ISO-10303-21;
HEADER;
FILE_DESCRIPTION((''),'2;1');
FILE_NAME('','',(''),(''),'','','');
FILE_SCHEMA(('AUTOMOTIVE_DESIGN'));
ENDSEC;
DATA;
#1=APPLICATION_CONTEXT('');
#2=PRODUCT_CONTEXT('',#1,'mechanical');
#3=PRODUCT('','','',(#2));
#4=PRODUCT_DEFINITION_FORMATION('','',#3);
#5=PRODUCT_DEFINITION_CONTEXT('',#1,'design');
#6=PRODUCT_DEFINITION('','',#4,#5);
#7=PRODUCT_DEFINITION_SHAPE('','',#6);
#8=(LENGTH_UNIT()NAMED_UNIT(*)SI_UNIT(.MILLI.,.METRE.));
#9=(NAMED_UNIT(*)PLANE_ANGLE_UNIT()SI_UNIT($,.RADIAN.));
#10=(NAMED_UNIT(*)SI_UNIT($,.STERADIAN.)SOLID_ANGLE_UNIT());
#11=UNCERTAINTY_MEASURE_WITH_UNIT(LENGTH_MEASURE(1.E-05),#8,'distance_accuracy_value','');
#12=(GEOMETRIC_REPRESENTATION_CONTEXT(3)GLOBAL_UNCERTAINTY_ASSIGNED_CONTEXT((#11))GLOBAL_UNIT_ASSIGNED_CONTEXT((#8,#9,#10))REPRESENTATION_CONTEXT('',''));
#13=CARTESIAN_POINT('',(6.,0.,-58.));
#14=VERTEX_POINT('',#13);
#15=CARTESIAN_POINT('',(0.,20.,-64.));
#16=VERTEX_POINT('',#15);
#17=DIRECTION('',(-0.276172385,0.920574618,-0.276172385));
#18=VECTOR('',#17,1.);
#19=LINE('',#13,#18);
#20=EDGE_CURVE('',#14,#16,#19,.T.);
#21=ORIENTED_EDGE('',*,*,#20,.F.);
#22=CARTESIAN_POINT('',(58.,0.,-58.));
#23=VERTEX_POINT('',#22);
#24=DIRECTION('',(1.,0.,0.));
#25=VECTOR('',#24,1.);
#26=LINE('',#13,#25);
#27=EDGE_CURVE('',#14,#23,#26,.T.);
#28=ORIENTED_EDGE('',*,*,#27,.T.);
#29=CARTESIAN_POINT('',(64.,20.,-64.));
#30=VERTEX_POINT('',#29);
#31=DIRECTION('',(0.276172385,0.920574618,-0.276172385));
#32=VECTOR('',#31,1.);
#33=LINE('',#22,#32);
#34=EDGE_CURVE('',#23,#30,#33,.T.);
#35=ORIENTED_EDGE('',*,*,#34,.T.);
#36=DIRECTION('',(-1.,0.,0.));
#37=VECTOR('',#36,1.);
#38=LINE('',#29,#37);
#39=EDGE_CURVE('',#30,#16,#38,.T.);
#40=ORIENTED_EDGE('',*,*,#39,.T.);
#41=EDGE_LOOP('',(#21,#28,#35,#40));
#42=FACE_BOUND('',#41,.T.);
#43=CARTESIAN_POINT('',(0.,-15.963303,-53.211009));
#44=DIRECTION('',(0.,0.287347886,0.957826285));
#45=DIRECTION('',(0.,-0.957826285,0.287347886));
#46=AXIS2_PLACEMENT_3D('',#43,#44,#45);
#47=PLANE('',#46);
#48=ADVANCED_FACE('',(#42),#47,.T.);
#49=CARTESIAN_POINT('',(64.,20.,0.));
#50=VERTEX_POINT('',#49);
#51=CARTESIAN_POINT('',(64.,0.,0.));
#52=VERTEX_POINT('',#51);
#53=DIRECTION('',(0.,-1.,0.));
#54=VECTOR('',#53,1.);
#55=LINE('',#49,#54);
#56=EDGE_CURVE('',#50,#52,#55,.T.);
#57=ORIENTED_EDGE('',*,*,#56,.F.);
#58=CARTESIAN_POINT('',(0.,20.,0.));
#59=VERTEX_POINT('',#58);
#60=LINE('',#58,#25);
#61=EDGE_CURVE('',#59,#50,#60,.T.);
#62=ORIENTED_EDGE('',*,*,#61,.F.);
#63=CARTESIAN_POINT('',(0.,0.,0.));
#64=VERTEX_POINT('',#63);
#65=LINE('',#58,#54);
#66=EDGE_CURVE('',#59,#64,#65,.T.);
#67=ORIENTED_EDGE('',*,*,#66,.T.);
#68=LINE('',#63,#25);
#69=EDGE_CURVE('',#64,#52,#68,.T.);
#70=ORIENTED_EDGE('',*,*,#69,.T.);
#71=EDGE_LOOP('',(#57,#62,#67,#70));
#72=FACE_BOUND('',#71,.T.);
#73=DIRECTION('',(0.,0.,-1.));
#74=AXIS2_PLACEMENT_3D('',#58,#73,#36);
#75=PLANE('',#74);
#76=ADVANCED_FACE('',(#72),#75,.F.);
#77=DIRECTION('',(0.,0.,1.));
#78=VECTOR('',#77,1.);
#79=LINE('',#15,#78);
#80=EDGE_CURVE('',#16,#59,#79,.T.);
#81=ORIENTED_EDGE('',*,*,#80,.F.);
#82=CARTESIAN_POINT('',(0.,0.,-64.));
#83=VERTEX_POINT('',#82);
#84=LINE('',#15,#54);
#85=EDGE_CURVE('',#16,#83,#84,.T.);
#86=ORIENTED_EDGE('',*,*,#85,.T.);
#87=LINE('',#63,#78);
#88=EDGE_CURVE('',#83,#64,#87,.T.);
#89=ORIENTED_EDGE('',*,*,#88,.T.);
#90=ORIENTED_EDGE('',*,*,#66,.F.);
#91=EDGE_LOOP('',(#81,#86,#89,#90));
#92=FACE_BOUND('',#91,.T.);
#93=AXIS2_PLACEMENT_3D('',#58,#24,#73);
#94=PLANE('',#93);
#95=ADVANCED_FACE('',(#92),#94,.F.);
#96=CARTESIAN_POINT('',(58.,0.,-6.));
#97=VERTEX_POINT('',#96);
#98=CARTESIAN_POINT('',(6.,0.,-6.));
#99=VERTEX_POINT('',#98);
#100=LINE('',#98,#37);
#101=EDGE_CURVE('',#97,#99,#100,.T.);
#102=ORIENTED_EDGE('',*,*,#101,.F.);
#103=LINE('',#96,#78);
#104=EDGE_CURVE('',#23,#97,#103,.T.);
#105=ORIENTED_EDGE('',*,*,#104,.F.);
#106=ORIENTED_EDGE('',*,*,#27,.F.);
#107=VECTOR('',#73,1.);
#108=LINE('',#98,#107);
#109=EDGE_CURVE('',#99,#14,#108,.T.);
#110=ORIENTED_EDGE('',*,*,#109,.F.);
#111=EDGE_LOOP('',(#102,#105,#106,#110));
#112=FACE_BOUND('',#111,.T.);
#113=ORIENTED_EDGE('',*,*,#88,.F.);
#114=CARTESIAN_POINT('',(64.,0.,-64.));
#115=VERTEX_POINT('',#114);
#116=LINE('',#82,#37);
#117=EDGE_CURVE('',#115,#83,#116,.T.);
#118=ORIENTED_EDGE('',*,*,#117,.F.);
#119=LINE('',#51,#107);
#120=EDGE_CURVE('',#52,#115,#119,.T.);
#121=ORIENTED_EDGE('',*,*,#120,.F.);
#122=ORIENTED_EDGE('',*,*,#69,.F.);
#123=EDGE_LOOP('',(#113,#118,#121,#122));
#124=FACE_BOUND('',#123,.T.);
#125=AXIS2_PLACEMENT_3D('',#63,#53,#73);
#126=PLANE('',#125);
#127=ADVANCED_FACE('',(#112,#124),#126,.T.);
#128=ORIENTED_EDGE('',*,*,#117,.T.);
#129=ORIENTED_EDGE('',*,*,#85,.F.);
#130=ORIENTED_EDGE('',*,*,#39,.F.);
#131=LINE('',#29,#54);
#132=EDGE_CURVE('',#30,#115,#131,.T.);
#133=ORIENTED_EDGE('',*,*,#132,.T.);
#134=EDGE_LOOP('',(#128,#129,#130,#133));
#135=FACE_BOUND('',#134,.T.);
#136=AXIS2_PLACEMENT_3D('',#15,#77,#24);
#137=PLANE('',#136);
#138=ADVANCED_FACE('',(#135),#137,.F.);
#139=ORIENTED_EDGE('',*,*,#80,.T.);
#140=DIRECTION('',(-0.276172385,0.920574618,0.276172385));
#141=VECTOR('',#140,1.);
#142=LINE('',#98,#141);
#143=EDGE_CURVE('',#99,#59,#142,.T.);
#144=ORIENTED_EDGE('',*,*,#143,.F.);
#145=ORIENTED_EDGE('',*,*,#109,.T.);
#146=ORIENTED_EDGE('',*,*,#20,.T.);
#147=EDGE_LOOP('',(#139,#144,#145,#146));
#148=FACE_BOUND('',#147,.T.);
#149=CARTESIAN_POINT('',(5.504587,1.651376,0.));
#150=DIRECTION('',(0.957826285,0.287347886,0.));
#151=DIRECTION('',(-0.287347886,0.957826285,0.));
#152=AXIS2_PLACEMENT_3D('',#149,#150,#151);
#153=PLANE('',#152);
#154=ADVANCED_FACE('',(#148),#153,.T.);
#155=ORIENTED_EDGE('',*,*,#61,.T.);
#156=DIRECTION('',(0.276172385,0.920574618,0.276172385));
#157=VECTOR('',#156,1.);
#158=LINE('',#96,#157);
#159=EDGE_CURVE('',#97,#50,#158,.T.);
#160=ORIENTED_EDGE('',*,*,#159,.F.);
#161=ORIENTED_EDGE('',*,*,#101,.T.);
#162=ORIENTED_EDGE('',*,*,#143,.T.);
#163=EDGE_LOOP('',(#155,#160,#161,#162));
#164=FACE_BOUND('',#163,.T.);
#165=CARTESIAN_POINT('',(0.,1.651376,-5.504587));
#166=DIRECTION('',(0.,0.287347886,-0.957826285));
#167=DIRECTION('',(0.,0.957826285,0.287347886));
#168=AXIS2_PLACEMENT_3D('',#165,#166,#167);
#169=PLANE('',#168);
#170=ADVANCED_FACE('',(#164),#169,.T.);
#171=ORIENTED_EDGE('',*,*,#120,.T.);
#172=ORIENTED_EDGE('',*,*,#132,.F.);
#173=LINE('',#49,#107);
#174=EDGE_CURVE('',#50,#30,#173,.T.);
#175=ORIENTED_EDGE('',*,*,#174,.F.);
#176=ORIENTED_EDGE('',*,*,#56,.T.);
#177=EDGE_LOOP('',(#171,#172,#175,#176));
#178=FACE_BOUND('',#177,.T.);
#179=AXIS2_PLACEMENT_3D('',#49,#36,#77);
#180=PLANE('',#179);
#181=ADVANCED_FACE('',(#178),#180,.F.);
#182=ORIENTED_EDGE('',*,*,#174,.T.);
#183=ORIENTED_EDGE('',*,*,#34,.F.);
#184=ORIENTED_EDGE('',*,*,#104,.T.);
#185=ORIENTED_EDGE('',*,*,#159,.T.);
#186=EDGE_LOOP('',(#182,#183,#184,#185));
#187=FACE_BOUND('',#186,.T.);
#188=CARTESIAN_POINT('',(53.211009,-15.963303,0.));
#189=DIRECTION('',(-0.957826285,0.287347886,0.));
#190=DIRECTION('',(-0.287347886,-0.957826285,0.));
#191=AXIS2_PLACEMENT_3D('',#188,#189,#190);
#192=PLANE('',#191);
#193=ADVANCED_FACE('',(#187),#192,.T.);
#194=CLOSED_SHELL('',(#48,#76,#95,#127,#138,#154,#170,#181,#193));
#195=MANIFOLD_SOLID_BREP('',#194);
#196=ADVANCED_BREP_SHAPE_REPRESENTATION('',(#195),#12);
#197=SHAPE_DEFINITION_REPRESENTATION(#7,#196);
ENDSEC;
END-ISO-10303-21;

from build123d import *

# Parameters (mm, degrees)
SKETCH_1_W      = 64
SKETCH_1_H      = 64
EXTRUDE_1_DEPTH = 20


with BuildPart() as part:
    # 草图1 → 凸台-拉伸1 (new body)
    with BuildSketch(Plane(origin=(0, 0, 0), x_dir=(1, 0, 0), z_dir=(0, 1, 0))):
        with Locations((32, 32)):
            Rectangle(SKETCH_1_W, SKETCH_1_H)
    extrude(amount=EXTRUDE_1_DEPTH)

    # 草图3 → 切除-放样1 section 0
    with BuildSketch(Plane.XZ):
        with BuildLine():
            Line((6, -6), (58, -6))
            Line((58, -6), (58, -58))
            Line((58, -58), (6, -58))
            Line((6, -58), (6, -6))
        make_face()
    # 草图2 → 切除-放样1 section 1
    with BuildSketch(Plane(origin=(0, 20, 0), x_dir=(1, 0, 0), z_dir=(0, 1, 0))):
        with BuildLine():
            Line((0, 64), (0, 0))
            Line((0, 0), (64, 0))
            Line((64, 0), (64, 64))
            Line((64, 64), (0, 64))
        make_face()
    loft(mode=Mode.SUBTRACT)


solid = part.part
